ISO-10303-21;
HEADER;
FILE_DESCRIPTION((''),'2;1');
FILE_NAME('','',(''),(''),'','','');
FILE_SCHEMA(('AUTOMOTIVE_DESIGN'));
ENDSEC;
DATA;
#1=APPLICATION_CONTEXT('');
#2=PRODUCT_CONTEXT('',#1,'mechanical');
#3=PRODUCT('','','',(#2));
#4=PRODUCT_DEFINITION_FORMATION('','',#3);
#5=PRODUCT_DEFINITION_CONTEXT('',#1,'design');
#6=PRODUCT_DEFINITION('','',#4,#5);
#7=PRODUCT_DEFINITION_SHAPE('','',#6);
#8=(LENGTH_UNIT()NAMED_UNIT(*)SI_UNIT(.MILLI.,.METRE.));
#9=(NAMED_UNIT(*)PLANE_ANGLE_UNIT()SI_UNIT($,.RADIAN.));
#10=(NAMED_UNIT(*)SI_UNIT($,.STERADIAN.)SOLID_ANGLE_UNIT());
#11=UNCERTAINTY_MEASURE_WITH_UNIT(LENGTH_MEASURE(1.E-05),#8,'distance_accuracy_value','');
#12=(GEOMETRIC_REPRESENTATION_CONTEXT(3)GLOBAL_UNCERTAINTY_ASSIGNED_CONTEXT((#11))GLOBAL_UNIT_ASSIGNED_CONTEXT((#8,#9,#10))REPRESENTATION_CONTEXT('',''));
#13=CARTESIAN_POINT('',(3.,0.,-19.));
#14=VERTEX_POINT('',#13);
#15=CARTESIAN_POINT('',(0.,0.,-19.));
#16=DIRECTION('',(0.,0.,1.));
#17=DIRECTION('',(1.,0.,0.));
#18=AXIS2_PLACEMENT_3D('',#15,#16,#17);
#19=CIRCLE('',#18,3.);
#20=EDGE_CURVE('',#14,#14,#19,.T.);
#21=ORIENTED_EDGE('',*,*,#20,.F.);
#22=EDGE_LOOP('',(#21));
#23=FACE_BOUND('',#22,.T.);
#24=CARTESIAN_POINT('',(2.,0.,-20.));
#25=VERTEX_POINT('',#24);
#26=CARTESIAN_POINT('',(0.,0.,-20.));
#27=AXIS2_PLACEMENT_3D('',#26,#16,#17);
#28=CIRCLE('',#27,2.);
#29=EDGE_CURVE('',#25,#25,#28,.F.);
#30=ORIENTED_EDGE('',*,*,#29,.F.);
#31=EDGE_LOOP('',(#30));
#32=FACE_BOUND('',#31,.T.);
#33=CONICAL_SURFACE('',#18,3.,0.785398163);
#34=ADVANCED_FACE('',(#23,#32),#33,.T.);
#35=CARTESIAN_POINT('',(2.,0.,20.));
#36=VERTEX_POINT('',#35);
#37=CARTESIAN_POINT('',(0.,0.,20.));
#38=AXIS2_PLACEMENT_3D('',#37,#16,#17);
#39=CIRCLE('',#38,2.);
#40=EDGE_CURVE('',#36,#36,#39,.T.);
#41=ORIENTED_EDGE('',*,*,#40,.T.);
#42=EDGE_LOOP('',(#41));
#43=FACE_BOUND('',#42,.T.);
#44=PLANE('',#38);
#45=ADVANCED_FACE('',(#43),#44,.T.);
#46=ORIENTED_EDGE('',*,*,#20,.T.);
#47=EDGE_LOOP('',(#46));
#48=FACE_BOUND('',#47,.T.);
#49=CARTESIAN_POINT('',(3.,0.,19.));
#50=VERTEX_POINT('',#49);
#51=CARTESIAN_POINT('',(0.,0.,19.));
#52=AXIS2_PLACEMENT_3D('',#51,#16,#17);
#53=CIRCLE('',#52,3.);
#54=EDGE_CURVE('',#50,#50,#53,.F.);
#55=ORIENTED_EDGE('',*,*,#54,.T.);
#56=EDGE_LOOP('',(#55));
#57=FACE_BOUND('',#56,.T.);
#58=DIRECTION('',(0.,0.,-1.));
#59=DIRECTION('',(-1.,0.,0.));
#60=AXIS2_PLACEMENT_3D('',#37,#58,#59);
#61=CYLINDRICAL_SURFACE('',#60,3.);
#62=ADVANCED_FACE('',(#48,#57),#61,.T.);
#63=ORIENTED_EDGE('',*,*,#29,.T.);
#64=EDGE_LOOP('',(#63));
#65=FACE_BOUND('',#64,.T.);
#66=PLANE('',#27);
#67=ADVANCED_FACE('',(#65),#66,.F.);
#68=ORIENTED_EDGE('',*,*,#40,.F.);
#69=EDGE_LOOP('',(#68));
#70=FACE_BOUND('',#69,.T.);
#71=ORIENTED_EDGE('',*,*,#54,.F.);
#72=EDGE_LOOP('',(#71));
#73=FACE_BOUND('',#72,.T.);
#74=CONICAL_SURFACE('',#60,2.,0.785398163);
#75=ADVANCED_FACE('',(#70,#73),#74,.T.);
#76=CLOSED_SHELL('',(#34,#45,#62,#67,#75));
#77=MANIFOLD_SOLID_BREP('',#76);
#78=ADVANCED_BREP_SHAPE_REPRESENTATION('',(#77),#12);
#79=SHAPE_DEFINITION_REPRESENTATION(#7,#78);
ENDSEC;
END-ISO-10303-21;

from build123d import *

# Parameters (mm, degrees)
SKETCH_1_R      = 3
EXTRUDE_1_DEPTH = 20
CHAMFER_1_SIZE  = 1


with BuildPart() as part:
    # 草图1 → 凸台-拉伸1 (new, symmetric)
    with BuildSketch(Plane.XY):
        Circle(SKETCH_1_R)
    extrude(amount=EXTRUDE_1_DEPTH, both=True)

    # 倒角1
    chamfer_1_edges = [part.edges().sort_by_distance(p)[0] for p in [
        (-3, 0, -20),
        (-3, 0, 20),
    ]]
    chamfer(chamfer_1_edges, length=CHAMFER_1_SIZE)


solid = part.part
